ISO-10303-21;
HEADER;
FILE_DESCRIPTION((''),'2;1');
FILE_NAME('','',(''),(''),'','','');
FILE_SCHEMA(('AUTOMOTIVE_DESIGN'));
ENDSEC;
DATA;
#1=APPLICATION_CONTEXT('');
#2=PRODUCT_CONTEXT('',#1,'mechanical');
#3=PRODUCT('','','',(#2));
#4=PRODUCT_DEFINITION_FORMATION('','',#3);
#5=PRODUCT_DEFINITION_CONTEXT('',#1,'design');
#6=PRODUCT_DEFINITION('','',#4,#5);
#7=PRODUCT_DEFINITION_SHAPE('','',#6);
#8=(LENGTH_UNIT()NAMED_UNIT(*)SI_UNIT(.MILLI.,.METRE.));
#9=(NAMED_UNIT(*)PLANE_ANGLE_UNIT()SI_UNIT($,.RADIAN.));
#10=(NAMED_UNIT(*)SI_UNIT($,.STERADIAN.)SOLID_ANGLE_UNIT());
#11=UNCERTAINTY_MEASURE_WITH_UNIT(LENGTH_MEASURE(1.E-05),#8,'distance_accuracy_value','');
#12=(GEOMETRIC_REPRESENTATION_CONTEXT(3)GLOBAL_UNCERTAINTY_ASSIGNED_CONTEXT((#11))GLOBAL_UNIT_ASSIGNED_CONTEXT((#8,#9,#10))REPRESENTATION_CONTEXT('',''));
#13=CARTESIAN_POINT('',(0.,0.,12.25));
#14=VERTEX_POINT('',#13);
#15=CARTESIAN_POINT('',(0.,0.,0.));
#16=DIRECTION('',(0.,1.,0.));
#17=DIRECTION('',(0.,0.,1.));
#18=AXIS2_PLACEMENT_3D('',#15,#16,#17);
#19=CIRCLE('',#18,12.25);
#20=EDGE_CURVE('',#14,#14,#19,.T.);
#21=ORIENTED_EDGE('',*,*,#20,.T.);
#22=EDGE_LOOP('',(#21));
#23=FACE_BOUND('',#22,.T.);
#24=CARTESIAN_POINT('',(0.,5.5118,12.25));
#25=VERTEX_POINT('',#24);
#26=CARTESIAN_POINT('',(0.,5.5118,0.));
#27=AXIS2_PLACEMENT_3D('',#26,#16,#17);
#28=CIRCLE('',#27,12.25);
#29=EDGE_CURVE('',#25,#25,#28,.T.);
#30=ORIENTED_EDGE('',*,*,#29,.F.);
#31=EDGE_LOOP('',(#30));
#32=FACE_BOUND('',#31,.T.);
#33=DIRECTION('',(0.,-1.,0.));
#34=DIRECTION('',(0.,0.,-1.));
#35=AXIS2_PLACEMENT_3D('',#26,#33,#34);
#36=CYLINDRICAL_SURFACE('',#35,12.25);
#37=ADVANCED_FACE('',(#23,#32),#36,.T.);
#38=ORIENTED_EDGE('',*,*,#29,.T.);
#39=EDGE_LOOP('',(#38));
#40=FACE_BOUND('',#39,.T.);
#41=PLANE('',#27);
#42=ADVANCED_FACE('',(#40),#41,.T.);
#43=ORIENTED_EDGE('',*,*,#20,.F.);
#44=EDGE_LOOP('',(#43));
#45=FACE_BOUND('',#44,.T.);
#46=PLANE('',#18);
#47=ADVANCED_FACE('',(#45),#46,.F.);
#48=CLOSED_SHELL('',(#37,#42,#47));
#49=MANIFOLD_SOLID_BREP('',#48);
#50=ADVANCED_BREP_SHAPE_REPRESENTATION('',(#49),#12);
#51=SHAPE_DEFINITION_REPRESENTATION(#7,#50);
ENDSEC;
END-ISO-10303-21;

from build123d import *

# Parameters (mm, degrees)
SKETCH1_R           = 12.25
BOSS_EXTRUDE1_DEPTH = 5.5118


with BuildPart() as part:
    # Sketch1 → Boss-Extrude1 (new body)
    with BuildSketch(Plane(origin=(0, 0, 0), x_dir=(1, 0, 0), z_dir=(0, 1, 0))):
        Circle(SKETCH1_R)
    extrude(amount=BOSS_EXTRUDE1_DEPTH)


solid = part.part
